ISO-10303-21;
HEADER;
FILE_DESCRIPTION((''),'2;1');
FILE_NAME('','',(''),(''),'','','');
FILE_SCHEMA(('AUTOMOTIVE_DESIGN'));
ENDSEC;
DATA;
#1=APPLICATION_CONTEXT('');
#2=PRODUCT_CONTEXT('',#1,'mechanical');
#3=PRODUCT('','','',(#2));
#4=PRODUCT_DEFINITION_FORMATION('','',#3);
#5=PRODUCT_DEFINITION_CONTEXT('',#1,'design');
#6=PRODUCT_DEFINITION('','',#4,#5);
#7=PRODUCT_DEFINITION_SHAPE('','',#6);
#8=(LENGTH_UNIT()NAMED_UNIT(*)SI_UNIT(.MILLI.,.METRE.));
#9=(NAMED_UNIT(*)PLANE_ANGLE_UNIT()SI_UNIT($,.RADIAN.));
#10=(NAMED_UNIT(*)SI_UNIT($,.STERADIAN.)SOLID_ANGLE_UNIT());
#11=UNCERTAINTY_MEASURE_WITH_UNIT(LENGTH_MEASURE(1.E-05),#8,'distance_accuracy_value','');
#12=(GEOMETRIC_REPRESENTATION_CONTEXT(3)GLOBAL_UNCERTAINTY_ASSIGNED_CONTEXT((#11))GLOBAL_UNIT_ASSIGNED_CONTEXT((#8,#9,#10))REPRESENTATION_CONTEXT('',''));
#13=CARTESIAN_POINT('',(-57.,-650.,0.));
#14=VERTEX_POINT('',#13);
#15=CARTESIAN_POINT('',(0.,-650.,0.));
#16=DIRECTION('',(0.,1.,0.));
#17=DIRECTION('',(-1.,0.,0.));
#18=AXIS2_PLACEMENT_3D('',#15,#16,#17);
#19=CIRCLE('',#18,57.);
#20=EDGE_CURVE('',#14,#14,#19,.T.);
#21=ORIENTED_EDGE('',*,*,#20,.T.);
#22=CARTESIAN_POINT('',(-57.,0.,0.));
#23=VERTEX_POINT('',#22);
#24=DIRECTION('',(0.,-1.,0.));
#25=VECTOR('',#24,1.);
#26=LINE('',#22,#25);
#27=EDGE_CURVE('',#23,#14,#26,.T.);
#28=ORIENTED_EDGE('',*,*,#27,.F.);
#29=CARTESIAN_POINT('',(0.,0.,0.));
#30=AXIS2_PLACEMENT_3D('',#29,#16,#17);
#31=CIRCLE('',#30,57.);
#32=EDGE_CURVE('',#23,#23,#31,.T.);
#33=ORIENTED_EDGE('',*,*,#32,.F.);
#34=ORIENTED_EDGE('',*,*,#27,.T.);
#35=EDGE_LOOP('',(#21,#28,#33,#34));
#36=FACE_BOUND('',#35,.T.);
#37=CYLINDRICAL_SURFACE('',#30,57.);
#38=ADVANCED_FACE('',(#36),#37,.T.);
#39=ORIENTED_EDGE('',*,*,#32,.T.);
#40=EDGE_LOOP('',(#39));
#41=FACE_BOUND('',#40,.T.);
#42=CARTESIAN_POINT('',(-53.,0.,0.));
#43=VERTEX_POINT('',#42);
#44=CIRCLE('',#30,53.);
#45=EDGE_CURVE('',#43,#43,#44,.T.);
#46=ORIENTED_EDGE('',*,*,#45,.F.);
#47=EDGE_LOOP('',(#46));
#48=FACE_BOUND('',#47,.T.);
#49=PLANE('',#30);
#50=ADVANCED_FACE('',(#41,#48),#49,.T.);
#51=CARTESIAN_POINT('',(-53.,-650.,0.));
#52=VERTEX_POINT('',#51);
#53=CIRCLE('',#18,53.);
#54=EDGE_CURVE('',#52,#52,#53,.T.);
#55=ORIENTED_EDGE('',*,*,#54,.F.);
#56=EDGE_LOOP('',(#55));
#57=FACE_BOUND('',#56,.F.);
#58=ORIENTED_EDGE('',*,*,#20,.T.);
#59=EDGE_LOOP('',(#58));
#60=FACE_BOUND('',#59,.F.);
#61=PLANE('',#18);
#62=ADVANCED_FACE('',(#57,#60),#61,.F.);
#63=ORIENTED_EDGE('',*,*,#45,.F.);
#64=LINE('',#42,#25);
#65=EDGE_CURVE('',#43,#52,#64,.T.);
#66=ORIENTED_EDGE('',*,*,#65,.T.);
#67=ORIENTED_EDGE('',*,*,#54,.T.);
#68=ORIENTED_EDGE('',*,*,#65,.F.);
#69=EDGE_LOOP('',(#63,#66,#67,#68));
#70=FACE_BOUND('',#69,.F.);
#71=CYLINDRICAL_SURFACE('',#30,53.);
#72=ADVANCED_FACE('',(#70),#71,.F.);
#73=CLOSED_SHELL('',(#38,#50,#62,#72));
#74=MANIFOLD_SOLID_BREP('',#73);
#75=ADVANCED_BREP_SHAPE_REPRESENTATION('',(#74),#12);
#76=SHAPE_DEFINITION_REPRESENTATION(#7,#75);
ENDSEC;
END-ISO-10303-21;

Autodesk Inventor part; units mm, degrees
ref_plane "YZ Plane" through (0, 0, 0) normal (1, 0, 0) x (0, 1, 0)
ref_plane "XZ Plane" through (0, 0, 0) normal (0, 1, 0) x (-1, 0, 0)
ref_plane "XY Plane" through (0, 0, 0) normal (0, 0, 1) x (1, 0, 0)
sketch "Sketch1" plane through (0, 0, 0) normal (0, 1, 0) x (-1, 0, 0)
  circle A0 centre (0, 0) radius 57
  circle A1 centre (0, 0) radius 53
  dimension "d0" = 114
  dimension "d1" = 4
extrude "Extrusion1" add sketch "Sketch1" against normal blind 650
properties part number "APN 1441 FDS tube 1" material "Steel"
